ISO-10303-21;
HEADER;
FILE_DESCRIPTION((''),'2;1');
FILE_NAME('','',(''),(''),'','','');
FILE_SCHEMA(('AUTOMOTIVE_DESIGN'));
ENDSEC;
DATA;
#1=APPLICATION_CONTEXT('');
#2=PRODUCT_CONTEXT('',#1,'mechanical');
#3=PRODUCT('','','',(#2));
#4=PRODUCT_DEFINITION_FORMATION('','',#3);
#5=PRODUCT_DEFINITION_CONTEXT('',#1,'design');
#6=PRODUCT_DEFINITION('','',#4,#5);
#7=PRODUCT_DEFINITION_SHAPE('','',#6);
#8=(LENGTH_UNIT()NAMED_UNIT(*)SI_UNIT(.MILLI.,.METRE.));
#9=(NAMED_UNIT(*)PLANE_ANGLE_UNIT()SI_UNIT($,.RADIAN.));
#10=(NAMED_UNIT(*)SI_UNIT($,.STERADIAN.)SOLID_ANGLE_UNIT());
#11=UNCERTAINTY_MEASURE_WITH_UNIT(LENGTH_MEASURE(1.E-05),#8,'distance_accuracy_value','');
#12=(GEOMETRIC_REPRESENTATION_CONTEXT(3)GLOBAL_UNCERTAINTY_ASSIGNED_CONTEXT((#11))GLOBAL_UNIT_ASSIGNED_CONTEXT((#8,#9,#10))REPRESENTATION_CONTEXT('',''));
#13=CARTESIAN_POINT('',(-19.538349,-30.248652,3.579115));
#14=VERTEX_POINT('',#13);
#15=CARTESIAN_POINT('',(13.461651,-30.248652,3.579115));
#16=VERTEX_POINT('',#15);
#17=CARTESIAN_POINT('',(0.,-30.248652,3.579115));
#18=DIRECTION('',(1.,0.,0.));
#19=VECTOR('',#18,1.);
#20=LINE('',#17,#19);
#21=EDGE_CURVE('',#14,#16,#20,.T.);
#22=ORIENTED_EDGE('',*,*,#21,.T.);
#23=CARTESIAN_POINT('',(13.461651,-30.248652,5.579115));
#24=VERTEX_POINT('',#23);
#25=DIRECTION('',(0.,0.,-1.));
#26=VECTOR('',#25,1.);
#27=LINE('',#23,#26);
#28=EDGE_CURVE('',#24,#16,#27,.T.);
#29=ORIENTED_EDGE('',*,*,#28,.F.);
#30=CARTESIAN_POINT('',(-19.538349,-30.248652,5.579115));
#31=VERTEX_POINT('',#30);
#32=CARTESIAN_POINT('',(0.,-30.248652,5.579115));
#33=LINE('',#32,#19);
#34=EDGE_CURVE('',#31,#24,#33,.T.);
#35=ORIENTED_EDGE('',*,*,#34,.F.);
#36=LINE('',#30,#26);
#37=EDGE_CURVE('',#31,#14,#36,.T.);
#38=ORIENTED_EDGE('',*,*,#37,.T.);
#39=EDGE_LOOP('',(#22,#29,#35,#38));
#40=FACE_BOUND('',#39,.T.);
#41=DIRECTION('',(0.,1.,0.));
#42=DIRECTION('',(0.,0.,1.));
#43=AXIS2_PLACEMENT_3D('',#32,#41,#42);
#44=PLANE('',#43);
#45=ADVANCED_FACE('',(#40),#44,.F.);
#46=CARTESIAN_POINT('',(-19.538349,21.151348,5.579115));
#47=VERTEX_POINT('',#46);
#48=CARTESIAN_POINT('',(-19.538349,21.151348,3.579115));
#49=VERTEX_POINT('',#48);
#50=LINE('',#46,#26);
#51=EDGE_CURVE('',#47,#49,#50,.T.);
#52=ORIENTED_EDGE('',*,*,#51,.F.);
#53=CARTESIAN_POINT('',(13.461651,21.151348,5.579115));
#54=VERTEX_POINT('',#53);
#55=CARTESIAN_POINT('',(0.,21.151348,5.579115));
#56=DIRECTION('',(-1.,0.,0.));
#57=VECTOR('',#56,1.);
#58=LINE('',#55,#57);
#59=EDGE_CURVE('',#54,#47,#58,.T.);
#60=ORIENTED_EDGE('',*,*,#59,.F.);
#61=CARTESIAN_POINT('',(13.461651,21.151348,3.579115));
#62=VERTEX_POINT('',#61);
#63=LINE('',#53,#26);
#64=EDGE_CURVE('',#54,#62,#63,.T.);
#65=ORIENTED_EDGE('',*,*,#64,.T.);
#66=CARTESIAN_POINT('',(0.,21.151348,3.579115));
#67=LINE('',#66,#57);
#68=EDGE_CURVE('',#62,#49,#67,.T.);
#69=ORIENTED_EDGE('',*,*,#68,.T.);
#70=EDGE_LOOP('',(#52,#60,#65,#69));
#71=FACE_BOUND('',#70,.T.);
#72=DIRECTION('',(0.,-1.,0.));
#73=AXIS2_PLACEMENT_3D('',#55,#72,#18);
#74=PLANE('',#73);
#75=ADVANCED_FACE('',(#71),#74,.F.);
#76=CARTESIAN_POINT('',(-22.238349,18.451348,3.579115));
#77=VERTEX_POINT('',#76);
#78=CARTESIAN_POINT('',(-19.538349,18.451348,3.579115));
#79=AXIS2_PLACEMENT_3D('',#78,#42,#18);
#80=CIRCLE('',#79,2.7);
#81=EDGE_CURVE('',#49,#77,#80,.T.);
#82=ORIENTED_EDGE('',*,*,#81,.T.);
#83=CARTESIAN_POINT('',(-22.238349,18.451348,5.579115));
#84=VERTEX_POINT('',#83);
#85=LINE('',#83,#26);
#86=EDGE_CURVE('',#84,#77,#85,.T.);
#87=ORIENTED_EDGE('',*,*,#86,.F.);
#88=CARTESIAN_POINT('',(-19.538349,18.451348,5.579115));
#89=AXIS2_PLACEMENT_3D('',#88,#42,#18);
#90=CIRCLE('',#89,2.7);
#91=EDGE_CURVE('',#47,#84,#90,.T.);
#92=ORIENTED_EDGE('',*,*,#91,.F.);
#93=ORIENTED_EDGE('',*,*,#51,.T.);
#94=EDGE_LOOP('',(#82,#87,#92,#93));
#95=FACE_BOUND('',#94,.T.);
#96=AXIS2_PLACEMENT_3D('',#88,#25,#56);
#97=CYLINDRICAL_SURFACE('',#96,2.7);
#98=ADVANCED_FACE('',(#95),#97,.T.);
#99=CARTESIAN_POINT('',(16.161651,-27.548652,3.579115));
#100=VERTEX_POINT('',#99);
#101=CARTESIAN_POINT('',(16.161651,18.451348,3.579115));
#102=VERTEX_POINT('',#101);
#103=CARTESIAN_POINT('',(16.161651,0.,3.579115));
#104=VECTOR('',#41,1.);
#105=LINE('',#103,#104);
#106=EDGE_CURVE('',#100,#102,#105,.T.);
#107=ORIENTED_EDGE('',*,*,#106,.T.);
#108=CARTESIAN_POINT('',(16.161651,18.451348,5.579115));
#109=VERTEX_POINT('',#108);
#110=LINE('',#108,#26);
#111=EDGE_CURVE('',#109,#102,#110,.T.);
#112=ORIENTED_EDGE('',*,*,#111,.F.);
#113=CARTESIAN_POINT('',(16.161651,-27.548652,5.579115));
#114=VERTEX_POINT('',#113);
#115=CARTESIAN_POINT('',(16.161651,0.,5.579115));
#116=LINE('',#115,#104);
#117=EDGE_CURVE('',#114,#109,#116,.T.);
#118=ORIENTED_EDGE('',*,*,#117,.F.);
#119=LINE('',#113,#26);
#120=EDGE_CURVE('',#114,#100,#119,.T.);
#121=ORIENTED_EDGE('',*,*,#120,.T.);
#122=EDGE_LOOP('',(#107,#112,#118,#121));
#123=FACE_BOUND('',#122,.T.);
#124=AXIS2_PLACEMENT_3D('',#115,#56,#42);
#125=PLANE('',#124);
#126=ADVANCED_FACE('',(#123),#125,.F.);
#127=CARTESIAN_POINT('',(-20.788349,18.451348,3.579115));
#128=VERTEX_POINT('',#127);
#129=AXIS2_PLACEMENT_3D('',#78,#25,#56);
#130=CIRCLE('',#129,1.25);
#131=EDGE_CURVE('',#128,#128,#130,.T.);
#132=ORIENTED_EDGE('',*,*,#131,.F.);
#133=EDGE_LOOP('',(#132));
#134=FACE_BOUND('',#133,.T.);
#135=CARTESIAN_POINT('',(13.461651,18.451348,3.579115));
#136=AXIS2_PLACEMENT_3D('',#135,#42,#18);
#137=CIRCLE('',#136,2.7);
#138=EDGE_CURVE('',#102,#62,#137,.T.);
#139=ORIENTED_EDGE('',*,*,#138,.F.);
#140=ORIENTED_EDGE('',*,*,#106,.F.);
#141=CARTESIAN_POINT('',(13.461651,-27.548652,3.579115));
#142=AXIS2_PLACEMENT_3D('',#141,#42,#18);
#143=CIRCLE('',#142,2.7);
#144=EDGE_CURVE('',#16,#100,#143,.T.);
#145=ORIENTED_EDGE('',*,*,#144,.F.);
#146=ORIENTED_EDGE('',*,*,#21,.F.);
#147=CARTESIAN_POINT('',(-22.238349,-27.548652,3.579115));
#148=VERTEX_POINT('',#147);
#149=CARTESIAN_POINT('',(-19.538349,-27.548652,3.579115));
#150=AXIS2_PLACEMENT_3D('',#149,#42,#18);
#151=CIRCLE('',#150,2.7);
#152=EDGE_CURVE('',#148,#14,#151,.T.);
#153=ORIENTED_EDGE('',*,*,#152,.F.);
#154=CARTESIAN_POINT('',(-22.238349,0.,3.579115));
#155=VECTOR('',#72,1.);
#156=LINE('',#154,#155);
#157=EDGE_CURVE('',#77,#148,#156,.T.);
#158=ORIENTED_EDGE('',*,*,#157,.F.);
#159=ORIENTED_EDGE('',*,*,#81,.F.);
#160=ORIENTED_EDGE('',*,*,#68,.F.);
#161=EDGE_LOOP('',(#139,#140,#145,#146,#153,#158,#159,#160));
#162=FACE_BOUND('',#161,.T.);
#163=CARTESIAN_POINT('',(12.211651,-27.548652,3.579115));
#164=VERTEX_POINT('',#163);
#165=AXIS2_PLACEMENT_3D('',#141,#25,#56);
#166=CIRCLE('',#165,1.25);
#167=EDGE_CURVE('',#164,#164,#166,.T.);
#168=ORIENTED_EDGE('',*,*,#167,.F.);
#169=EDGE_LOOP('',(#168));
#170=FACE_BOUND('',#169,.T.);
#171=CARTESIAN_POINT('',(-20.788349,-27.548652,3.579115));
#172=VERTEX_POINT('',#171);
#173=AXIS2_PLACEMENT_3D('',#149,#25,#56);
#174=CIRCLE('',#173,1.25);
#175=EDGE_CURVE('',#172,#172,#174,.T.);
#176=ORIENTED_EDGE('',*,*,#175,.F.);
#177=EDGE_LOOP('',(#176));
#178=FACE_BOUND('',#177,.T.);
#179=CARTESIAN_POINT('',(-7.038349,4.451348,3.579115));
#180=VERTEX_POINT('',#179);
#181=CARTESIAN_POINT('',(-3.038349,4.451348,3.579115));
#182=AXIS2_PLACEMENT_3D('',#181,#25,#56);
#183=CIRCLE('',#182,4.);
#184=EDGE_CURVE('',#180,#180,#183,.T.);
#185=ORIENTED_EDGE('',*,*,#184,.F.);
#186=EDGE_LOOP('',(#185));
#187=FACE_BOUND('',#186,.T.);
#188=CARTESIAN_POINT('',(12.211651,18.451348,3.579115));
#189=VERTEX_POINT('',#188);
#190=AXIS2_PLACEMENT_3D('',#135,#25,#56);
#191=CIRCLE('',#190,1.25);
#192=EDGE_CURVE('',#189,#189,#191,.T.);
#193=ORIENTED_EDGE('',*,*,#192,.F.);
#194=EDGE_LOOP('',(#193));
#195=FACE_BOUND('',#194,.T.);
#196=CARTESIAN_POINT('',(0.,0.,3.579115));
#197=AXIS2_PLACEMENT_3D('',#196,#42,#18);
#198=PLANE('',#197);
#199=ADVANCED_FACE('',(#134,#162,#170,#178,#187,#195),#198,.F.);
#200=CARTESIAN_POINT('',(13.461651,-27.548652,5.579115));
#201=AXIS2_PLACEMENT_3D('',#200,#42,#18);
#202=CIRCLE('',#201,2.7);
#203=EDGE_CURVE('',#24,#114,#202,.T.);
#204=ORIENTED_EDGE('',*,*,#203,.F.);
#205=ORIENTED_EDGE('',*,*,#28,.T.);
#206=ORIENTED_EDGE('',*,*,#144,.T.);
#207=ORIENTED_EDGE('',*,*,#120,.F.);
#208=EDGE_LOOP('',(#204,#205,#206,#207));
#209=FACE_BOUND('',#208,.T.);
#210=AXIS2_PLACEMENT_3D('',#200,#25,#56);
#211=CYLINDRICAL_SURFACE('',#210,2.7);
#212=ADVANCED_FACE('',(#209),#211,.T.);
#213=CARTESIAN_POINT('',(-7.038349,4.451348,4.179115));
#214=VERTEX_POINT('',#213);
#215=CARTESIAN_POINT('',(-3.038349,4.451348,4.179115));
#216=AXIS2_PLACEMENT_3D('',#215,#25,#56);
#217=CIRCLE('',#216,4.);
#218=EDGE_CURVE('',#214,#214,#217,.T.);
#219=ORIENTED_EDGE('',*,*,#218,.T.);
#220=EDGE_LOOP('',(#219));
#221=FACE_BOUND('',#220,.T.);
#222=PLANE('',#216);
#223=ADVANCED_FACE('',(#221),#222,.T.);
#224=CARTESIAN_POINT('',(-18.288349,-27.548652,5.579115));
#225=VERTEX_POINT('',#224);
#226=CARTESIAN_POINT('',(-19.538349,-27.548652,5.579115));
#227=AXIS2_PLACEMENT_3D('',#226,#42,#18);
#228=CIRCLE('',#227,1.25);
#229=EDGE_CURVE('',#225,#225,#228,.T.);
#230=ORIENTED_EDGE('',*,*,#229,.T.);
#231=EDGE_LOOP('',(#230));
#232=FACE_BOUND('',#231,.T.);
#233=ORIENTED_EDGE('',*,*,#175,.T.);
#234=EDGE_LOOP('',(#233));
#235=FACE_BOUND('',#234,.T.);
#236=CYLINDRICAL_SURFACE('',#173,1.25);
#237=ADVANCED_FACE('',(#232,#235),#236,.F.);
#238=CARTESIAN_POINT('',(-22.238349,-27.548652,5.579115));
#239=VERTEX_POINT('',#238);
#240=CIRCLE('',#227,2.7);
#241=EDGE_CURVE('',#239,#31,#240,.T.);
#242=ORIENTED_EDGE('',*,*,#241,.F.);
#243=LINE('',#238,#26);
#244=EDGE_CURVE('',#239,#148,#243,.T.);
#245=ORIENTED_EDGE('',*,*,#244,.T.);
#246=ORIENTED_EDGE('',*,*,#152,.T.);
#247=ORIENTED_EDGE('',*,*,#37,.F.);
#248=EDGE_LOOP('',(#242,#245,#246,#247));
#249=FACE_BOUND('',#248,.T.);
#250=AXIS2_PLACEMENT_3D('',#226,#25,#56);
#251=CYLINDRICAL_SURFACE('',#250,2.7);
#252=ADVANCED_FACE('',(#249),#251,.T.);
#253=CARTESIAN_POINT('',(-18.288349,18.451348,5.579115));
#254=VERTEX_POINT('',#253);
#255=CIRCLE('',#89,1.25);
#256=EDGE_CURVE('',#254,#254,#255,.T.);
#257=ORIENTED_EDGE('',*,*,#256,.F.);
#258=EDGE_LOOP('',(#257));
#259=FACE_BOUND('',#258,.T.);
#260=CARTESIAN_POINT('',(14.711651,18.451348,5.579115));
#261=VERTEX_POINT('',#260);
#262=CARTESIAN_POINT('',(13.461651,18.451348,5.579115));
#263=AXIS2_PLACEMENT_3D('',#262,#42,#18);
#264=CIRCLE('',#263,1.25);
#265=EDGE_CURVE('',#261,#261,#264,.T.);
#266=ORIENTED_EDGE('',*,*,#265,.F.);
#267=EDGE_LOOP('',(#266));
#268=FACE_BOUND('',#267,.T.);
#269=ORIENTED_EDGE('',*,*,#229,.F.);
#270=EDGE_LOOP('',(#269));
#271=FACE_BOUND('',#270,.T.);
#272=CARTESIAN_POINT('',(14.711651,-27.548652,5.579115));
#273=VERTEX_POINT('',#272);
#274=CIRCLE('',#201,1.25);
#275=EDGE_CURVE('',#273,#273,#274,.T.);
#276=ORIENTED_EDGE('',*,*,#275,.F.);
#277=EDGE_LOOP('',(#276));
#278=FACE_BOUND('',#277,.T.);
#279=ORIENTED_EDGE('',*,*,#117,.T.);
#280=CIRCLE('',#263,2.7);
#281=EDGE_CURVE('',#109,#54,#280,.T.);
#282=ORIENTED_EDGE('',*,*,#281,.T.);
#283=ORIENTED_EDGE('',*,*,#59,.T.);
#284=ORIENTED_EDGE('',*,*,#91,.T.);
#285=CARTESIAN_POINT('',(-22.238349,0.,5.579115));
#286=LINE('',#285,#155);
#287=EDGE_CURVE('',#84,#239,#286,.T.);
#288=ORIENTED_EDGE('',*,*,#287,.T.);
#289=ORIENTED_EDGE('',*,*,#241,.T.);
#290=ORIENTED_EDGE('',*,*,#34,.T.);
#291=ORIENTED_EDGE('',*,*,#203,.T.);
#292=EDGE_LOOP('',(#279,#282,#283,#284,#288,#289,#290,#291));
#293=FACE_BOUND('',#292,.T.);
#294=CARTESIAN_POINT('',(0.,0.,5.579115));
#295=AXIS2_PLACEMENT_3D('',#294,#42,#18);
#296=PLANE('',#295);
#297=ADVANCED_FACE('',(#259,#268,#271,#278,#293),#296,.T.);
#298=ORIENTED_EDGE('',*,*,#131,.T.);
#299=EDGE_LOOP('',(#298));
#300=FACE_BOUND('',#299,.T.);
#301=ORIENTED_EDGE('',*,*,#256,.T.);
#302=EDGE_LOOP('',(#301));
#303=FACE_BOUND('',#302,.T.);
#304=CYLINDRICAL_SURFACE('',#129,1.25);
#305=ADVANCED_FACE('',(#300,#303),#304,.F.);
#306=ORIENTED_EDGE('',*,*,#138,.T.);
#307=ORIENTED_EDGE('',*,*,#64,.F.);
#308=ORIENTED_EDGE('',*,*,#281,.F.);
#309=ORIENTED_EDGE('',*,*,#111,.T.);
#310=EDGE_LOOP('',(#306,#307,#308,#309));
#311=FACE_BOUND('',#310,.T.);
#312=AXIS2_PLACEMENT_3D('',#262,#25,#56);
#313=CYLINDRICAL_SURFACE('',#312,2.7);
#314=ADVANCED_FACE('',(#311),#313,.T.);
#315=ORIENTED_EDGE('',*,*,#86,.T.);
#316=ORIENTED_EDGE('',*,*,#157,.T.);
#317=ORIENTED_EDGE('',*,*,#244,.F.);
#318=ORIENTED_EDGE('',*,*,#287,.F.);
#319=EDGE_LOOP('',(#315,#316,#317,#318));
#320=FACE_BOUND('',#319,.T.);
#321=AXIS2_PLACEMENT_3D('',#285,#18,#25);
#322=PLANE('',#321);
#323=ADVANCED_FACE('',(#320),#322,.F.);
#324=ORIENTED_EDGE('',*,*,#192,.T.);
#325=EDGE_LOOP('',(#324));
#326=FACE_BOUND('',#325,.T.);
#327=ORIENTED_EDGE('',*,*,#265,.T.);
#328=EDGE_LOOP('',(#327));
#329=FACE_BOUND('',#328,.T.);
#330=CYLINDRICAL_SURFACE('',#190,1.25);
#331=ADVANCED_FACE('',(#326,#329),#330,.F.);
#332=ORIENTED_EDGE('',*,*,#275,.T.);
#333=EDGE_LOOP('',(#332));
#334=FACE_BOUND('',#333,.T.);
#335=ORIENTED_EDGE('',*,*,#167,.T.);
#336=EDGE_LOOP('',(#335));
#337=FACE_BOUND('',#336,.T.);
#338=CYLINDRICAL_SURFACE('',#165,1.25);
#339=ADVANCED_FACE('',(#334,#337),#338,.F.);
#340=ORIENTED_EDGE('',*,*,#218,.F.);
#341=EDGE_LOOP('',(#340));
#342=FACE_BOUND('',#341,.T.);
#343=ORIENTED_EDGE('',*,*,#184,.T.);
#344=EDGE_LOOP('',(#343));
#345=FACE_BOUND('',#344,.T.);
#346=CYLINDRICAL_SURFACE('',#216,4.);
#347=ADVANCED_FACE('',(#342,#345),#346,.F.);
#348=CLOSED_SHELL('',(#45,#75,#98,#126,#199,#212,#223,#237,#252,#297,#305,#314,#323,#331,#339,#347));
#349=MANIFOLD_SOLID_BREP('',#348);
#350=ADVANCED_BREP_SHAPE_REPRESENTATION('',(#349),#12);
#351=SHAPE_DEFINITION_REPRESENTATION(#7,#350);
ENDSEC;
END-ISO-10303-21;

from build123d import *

# Parameters (mm, degrees)
BOSS_EXTRUDE1_DEPTH   = 2
M3_TAPPED_HOLE1_D     = 2.5
M3_TAPPED_HOLE1_DEPTH = 7.5
M3_TAPPED_HOLE1_TIP   = 0.751075774
SKETCH5_R             = 4
CUT_EXTRUDE4_DEPTH    = 0.6


with BuildPart() as part:
    # Sketch1 → Boss-Extrude1 (new body)
    with BuildSketch(Plane.XY.offset(3.579115056)):
        with BuildLine():
            Line((13.461651474, 21.151347876), (-19.538348526, 21.151347876))
            ThreePointArc((-19.538348526, 21.151347876), (-21.447536835, 20.360536186), (-22.238348526, 18.451347876))
            Line((-22.238348526, 18.451347876), (-22.238348526, -27.548652124))
            ThreePointArc((-22.238348526, -27.548652124), (-21.447536835, -29.457840433), (-19.538348526, -30.248652124))
            Line((-19.538348526, -30.248652124), (13.461651474, -30.248652124))
            ThreePointArc((13.461651474, -30.248652124), (15.370839783, -29.457840433), (16.161651474, -27.548652124))
            Line((16.161651474, -27.548652124), (16.161651474, 18.451347876))
            ThreePointArc((16.161651474, 18.451347876), (15.370839783, 20.360536186), (13.461651474, 21.151347876))
        make_face()
    extrude(amount=BOSS_EXTRUDE1_DEPTH)

    # M3 Tapped Hole1
    with Locations(Plane(origin=(0, 0, 3.579115056), x_dir=(-1, 0, 0), z_dir=(0, 0, -1))):
        with Locations((19.538348526, 18.451347876), (-13.461651474, 18.451347876), (-13.461651474, -27.548652124), (19.538348526, -27.548652124)):
            Hole(M3_TAPPED_HOLE1_D / 2, depth=M3_TAPPED_HOLE1_DEPTH)
            with Locations((0, 0, -(M3_TAPPED_HOLE1_DEPTH + M3_TAPPED_HOLE1_TIP / 2))):  # 118° drill point
                Cone(0, M3_TAPPED_HOLE1_D / 2, M3_TAPPED_HOLE1_TIP, mode=Mode.SUBTRACT)

    # Sketch5 → Cut-Extrude4 (cut)
    with BuildSketch(Plane(origin=(0, 0, 3.579115056), x_dir=(-1, 0, 0), z_dir=(0, 0, -1))):
        with Locations((3.038348526, 4.451347876)):
            Circle(SKETCH5_R)
    extrude(amount=-CUT_EXTRUDE4_DEPTH, mode=Mode.SUBTRACT)


solid = part.part
